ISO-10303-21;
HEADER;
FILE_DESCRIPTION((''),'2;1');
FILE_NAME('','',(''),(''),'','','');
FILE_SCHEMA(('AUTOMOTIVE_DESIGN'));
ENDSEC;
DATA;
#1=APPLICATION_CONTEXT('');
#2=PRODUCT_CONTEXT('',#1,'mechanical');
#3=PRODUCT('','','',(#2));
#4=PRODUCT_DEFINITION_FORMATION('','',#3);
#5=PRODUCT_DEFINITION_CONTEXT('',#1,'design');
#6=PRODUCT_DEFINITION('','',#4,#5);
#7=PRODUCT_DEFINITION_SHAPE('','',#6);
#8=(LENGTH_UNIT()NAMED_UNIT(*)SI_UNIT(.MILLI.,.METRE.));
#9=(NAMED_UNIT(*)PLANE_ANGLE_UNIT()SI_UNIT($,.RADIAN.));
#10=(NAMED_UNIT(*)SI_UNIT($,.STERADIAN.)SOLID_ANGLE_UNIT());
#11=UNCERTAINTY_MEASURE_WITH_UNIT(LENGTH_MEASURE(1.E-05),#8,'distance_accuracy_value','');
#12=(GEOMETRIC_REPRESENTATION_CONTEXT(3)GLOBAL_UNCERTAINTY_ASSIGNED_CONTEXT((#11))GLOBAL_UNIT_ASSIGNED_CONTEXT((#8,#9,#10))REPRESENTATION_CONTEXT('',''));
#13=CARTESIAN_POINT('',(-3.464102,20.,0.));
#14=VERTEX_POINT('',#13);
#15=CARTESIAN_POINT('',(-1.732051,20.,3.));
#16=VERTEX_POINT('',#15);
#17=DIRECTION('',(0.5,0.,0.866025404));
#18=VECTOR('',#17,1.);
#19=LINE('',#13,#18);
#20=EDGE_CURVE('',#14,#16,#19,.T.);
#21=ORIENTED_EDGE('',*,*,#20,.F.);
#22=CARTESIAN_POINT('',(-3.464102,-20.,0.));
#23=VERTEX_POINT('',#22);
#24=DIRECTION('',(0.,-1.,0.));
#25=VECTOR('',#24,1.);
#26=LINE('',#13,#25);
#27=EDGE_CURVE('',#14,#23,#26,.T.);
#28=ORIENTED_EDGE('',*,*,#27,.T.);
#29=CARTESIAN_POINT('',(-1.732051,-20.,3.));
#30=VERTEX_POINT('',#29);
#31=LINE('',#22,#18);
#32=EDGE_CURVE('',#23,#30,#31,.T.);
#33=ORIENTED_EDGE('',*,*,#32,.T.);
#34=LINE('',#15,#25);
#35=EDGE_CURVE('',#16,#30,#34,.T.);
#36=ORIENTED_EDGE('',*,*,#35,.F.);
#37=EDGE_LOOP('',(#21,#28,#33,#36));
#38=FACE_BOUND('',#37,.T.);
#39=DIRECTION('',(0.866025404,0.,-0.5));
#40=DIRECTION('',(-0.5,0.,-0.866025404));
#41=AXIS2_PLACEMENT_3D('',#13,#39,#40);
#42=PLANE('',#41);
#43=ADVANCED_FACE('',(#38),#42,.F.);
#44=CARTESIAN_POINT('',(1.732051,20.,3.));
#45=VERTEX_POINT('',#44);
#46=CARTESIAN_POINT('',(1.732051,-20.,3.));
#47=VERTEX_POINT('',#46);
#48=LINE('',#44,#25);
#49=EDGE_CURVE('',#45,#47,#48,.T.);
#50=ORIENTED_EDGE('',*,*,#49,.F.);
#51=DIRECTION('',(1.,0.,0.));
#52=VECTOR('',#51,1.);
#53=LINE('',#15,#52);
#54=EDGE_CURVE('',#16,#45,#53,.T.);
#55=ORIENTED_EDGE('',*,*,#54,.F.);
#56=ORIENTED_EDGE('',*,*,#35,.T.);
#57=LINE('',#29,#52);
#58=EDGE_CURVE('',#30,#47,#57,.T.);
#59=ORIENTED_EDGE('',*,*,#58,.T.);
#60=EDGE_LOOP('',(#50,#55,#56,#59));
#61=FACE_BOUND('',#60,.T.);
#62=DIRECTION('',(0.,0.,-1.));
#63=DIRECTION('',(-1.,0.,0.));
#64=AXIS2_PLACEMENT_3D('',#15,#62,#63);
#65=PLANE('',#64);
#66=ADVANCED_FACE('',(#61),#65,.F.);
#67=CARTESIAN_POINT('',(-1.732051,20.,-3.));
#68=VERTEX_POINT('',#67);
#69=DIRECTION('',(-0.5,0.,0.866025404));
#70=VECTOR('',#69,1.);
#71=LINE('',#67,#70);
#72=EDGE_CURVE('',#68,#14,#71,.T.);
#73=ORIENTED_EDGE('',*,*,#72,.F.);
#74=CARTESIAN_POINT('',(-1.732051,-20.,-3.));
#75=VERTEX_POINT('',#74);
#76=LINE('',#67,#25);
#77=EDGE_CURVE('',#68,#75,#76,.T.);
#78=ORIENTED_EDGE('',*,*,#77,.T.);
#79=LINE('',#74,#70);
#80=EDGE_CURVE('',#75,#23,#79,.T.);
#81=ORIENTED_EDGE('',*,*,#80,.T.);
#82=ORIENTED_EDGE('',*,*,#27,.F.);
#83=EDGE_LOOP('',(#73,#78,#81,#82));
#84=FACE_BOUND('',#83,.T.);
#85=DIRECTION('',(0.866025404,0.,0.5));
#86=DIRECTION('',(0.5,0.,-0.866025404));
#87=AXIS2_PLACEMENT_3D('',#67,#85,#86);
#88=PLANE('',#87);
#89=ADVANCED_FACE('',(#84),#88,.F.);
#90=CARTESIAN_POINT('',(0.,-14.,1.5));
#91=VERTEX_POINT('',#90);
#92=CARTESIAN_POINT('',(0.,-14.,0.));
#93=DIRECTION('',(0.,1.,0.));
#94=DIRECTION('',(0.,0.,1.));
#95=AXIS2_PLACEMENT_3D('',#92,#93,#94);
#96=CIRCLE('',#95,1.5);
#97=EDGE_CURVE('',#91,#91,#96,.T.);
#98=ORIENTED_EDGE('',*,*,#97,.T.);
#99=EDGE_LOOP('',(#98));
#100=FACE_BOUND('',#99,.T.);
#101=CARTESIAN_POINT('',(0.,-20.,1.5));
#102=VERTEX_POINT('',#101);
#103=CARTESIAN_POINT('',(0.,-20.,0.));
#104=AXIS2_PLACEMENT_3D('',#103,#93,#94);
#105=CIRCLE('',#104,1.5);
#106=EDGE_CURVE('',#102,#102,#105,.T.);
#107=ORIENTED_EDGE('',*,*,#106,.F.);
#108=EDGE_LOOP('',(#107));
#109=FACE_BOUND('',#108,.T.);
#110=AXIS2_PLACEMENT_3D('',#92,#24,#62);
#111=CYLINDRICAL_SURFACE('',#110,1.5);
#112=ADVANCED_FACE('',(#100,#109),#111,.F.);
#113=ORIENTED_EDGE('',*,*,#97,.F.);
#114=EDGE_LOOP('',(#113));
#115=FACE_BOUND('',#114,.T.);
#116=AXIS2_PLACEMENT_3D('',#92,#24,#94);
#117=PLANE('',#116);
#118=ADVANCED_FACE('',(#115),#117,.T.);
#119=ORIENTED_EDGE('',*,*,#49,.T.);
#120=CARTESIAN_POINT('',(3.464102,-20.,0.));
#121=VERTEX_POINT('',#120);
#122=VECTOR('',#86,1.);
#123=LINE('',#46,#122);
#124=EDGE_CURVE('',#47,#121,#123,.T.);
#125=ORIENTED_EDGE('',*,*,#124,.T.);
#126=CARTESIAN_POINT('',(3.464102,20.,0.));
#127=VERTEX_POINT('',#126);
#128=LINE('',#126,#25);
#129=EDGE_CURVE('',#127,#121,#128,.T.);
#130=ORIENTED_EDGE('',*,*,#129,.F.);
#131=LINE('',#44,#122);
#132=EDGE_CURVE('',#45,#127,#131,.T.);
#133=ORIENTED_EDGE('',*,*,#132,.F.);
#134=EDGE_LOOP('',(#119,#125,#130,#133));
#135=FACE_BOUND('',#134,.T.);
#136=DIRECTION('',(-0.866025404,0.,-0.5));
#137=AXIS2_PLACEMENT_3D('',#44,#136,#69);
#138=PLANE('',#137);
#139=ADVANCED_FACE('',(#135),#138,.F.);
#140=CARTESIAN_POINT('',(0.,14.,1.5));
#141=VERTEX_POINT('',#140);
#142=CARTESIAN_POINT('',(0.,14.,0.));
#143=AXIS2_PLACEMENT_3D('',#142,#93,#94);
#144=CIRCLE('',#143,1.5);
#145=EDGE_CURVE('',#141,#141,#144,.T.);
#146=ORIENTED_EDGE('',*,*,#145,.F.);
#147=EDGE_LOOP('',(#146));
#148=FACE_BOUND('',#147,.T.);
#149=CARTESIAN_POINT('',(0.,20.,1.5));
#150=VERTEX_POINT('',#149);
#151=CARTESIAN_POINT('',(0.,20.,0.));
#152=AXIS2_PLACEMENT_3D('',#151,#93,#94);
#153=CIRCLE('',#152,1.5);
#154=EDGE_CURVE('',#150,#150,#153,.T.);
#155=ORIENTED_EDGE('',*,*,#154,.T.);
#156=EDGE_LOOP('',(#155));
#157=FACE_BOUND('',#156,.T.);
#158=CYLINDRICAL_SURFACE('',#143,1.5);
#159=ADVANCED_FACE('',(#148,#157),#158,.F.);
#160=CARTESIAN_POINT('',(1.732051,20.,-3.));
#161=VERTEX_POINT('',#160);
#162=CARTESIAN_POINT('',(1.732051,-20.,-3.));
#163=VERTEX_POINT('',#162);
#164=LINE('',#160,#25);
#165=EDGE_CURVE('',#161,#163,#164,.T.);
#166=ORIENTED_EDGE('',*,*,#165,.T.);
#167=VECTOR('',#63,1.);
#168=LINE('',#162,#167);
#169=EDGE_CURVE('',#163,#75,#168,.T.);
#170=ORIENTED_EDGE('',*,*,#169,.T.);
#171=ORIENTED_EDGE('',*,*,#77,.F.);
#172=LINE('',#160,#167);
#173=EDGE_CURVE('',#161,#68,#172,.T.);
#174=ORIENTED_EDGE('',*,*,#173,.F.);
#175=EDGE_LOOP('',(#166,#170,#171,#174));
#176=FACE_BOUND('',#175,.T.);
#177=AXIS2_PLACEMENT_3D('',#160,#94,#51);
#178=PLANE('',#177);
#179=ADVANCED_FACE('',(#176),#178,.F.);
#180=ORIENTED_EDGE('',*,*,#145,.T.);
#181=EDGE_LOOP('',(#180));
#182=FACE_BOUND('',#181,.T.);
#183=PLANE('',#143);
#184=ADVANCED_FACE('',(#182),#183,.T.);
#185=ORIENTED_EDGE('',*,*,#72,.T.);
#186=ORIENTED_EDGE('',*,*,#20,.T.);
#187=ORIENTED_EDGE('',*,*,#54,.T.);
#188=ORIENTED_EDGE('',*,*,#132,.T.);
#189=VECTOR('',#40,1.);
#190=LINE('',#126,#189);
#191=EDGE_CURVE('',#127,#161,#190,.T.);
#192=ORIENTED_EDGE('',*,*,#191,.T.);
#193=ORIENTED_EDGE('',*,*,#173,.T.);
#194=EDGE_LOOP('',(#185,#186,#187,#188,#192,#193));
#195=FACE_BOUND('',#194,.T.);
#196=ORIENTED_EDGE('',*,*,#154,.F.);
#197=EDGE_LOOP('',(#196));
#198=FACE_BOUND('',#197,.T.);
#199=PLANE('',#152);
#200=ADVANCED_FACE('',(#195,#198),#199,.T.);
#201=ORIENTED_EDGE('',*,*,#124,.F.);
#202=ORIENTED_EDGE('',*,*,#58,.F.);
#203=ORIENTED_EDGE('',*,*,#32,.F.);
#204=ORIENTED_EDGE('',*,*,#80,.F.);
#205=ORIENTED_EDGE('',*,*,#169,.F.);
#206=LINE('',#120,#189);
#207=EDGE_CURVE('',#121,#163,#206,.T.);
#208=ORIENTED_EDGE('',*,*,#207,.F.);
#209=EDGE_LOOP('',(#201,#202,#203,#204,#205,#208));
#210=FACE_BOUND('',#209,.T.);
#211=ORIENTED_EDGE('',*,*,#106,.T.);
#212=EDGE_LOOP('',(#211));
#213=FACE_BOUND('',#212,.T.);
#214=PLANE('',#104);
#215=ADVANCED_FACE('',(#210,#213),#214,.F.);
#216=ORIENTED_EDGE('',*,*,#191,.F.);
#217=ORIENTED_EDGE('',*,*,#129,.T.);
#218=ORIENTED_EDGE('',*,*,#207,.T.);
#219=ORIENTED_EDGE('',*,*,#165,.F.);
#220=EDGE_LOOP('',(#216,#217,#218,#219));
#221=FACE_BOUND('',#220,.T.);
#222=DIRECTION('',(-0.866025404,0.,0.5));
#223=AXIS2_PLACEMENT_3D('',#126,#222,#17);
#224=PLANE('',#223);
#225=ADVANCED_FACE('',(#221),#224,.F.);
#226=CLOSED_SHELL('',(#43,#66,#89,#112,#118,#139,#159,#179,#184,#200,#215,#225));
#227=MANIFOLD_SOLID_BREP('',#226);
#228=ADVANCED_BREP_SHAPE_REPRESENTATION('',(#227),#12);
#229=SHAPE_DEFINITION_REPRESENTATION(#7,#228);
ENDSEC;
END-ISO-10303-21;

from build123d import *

# Parameters (mm, degrees)
BOSS_EXTRUDE1_DEPTH = 20
SKETCH2_R           = 1.5
CUT_EXTRUDE1_DEPTH  = 6


with BuildPart() as part:
    # Sketch1 → Boss-Extrude1 (new, symmetric)
    with BuildSketch(Plane(origin=(0, 0, 0), x_dir=(1, 0, 0), z_dir=(0, 1, 0))):
        Polygon((3.464101615, 0), (1.732050808, 3), (-1.732050808, 3), (-3.464101615, 0), (-1.732050808, -3), (1.732050808, -3), align=None)
    extrude(amount=BOSS_EXTRUDE1_DEPTH, both=True)

    # Sketch2 → Cut-Extrude1 (cut)
    with BuildSketch(Plane(origin=(0, 20, 0), x_dir=(1, 0, 0), z_dir=(0, 1, 0))):
        with Locations(Location((0, 0, 0), (0, 0, 270))):
            Circle(SKETCH2_R)
    cut_extrude1 = extrude(amount=-CUT_EXTRUDE1_DEPTH, mode=Mode.SUBTRACT)

    # Mirror1: Cut-Extrude1 across plane
    add(cut_extrude1.mirror(Plane.ZX), mode=Mode.SUBTRACT)


solid = part.part
